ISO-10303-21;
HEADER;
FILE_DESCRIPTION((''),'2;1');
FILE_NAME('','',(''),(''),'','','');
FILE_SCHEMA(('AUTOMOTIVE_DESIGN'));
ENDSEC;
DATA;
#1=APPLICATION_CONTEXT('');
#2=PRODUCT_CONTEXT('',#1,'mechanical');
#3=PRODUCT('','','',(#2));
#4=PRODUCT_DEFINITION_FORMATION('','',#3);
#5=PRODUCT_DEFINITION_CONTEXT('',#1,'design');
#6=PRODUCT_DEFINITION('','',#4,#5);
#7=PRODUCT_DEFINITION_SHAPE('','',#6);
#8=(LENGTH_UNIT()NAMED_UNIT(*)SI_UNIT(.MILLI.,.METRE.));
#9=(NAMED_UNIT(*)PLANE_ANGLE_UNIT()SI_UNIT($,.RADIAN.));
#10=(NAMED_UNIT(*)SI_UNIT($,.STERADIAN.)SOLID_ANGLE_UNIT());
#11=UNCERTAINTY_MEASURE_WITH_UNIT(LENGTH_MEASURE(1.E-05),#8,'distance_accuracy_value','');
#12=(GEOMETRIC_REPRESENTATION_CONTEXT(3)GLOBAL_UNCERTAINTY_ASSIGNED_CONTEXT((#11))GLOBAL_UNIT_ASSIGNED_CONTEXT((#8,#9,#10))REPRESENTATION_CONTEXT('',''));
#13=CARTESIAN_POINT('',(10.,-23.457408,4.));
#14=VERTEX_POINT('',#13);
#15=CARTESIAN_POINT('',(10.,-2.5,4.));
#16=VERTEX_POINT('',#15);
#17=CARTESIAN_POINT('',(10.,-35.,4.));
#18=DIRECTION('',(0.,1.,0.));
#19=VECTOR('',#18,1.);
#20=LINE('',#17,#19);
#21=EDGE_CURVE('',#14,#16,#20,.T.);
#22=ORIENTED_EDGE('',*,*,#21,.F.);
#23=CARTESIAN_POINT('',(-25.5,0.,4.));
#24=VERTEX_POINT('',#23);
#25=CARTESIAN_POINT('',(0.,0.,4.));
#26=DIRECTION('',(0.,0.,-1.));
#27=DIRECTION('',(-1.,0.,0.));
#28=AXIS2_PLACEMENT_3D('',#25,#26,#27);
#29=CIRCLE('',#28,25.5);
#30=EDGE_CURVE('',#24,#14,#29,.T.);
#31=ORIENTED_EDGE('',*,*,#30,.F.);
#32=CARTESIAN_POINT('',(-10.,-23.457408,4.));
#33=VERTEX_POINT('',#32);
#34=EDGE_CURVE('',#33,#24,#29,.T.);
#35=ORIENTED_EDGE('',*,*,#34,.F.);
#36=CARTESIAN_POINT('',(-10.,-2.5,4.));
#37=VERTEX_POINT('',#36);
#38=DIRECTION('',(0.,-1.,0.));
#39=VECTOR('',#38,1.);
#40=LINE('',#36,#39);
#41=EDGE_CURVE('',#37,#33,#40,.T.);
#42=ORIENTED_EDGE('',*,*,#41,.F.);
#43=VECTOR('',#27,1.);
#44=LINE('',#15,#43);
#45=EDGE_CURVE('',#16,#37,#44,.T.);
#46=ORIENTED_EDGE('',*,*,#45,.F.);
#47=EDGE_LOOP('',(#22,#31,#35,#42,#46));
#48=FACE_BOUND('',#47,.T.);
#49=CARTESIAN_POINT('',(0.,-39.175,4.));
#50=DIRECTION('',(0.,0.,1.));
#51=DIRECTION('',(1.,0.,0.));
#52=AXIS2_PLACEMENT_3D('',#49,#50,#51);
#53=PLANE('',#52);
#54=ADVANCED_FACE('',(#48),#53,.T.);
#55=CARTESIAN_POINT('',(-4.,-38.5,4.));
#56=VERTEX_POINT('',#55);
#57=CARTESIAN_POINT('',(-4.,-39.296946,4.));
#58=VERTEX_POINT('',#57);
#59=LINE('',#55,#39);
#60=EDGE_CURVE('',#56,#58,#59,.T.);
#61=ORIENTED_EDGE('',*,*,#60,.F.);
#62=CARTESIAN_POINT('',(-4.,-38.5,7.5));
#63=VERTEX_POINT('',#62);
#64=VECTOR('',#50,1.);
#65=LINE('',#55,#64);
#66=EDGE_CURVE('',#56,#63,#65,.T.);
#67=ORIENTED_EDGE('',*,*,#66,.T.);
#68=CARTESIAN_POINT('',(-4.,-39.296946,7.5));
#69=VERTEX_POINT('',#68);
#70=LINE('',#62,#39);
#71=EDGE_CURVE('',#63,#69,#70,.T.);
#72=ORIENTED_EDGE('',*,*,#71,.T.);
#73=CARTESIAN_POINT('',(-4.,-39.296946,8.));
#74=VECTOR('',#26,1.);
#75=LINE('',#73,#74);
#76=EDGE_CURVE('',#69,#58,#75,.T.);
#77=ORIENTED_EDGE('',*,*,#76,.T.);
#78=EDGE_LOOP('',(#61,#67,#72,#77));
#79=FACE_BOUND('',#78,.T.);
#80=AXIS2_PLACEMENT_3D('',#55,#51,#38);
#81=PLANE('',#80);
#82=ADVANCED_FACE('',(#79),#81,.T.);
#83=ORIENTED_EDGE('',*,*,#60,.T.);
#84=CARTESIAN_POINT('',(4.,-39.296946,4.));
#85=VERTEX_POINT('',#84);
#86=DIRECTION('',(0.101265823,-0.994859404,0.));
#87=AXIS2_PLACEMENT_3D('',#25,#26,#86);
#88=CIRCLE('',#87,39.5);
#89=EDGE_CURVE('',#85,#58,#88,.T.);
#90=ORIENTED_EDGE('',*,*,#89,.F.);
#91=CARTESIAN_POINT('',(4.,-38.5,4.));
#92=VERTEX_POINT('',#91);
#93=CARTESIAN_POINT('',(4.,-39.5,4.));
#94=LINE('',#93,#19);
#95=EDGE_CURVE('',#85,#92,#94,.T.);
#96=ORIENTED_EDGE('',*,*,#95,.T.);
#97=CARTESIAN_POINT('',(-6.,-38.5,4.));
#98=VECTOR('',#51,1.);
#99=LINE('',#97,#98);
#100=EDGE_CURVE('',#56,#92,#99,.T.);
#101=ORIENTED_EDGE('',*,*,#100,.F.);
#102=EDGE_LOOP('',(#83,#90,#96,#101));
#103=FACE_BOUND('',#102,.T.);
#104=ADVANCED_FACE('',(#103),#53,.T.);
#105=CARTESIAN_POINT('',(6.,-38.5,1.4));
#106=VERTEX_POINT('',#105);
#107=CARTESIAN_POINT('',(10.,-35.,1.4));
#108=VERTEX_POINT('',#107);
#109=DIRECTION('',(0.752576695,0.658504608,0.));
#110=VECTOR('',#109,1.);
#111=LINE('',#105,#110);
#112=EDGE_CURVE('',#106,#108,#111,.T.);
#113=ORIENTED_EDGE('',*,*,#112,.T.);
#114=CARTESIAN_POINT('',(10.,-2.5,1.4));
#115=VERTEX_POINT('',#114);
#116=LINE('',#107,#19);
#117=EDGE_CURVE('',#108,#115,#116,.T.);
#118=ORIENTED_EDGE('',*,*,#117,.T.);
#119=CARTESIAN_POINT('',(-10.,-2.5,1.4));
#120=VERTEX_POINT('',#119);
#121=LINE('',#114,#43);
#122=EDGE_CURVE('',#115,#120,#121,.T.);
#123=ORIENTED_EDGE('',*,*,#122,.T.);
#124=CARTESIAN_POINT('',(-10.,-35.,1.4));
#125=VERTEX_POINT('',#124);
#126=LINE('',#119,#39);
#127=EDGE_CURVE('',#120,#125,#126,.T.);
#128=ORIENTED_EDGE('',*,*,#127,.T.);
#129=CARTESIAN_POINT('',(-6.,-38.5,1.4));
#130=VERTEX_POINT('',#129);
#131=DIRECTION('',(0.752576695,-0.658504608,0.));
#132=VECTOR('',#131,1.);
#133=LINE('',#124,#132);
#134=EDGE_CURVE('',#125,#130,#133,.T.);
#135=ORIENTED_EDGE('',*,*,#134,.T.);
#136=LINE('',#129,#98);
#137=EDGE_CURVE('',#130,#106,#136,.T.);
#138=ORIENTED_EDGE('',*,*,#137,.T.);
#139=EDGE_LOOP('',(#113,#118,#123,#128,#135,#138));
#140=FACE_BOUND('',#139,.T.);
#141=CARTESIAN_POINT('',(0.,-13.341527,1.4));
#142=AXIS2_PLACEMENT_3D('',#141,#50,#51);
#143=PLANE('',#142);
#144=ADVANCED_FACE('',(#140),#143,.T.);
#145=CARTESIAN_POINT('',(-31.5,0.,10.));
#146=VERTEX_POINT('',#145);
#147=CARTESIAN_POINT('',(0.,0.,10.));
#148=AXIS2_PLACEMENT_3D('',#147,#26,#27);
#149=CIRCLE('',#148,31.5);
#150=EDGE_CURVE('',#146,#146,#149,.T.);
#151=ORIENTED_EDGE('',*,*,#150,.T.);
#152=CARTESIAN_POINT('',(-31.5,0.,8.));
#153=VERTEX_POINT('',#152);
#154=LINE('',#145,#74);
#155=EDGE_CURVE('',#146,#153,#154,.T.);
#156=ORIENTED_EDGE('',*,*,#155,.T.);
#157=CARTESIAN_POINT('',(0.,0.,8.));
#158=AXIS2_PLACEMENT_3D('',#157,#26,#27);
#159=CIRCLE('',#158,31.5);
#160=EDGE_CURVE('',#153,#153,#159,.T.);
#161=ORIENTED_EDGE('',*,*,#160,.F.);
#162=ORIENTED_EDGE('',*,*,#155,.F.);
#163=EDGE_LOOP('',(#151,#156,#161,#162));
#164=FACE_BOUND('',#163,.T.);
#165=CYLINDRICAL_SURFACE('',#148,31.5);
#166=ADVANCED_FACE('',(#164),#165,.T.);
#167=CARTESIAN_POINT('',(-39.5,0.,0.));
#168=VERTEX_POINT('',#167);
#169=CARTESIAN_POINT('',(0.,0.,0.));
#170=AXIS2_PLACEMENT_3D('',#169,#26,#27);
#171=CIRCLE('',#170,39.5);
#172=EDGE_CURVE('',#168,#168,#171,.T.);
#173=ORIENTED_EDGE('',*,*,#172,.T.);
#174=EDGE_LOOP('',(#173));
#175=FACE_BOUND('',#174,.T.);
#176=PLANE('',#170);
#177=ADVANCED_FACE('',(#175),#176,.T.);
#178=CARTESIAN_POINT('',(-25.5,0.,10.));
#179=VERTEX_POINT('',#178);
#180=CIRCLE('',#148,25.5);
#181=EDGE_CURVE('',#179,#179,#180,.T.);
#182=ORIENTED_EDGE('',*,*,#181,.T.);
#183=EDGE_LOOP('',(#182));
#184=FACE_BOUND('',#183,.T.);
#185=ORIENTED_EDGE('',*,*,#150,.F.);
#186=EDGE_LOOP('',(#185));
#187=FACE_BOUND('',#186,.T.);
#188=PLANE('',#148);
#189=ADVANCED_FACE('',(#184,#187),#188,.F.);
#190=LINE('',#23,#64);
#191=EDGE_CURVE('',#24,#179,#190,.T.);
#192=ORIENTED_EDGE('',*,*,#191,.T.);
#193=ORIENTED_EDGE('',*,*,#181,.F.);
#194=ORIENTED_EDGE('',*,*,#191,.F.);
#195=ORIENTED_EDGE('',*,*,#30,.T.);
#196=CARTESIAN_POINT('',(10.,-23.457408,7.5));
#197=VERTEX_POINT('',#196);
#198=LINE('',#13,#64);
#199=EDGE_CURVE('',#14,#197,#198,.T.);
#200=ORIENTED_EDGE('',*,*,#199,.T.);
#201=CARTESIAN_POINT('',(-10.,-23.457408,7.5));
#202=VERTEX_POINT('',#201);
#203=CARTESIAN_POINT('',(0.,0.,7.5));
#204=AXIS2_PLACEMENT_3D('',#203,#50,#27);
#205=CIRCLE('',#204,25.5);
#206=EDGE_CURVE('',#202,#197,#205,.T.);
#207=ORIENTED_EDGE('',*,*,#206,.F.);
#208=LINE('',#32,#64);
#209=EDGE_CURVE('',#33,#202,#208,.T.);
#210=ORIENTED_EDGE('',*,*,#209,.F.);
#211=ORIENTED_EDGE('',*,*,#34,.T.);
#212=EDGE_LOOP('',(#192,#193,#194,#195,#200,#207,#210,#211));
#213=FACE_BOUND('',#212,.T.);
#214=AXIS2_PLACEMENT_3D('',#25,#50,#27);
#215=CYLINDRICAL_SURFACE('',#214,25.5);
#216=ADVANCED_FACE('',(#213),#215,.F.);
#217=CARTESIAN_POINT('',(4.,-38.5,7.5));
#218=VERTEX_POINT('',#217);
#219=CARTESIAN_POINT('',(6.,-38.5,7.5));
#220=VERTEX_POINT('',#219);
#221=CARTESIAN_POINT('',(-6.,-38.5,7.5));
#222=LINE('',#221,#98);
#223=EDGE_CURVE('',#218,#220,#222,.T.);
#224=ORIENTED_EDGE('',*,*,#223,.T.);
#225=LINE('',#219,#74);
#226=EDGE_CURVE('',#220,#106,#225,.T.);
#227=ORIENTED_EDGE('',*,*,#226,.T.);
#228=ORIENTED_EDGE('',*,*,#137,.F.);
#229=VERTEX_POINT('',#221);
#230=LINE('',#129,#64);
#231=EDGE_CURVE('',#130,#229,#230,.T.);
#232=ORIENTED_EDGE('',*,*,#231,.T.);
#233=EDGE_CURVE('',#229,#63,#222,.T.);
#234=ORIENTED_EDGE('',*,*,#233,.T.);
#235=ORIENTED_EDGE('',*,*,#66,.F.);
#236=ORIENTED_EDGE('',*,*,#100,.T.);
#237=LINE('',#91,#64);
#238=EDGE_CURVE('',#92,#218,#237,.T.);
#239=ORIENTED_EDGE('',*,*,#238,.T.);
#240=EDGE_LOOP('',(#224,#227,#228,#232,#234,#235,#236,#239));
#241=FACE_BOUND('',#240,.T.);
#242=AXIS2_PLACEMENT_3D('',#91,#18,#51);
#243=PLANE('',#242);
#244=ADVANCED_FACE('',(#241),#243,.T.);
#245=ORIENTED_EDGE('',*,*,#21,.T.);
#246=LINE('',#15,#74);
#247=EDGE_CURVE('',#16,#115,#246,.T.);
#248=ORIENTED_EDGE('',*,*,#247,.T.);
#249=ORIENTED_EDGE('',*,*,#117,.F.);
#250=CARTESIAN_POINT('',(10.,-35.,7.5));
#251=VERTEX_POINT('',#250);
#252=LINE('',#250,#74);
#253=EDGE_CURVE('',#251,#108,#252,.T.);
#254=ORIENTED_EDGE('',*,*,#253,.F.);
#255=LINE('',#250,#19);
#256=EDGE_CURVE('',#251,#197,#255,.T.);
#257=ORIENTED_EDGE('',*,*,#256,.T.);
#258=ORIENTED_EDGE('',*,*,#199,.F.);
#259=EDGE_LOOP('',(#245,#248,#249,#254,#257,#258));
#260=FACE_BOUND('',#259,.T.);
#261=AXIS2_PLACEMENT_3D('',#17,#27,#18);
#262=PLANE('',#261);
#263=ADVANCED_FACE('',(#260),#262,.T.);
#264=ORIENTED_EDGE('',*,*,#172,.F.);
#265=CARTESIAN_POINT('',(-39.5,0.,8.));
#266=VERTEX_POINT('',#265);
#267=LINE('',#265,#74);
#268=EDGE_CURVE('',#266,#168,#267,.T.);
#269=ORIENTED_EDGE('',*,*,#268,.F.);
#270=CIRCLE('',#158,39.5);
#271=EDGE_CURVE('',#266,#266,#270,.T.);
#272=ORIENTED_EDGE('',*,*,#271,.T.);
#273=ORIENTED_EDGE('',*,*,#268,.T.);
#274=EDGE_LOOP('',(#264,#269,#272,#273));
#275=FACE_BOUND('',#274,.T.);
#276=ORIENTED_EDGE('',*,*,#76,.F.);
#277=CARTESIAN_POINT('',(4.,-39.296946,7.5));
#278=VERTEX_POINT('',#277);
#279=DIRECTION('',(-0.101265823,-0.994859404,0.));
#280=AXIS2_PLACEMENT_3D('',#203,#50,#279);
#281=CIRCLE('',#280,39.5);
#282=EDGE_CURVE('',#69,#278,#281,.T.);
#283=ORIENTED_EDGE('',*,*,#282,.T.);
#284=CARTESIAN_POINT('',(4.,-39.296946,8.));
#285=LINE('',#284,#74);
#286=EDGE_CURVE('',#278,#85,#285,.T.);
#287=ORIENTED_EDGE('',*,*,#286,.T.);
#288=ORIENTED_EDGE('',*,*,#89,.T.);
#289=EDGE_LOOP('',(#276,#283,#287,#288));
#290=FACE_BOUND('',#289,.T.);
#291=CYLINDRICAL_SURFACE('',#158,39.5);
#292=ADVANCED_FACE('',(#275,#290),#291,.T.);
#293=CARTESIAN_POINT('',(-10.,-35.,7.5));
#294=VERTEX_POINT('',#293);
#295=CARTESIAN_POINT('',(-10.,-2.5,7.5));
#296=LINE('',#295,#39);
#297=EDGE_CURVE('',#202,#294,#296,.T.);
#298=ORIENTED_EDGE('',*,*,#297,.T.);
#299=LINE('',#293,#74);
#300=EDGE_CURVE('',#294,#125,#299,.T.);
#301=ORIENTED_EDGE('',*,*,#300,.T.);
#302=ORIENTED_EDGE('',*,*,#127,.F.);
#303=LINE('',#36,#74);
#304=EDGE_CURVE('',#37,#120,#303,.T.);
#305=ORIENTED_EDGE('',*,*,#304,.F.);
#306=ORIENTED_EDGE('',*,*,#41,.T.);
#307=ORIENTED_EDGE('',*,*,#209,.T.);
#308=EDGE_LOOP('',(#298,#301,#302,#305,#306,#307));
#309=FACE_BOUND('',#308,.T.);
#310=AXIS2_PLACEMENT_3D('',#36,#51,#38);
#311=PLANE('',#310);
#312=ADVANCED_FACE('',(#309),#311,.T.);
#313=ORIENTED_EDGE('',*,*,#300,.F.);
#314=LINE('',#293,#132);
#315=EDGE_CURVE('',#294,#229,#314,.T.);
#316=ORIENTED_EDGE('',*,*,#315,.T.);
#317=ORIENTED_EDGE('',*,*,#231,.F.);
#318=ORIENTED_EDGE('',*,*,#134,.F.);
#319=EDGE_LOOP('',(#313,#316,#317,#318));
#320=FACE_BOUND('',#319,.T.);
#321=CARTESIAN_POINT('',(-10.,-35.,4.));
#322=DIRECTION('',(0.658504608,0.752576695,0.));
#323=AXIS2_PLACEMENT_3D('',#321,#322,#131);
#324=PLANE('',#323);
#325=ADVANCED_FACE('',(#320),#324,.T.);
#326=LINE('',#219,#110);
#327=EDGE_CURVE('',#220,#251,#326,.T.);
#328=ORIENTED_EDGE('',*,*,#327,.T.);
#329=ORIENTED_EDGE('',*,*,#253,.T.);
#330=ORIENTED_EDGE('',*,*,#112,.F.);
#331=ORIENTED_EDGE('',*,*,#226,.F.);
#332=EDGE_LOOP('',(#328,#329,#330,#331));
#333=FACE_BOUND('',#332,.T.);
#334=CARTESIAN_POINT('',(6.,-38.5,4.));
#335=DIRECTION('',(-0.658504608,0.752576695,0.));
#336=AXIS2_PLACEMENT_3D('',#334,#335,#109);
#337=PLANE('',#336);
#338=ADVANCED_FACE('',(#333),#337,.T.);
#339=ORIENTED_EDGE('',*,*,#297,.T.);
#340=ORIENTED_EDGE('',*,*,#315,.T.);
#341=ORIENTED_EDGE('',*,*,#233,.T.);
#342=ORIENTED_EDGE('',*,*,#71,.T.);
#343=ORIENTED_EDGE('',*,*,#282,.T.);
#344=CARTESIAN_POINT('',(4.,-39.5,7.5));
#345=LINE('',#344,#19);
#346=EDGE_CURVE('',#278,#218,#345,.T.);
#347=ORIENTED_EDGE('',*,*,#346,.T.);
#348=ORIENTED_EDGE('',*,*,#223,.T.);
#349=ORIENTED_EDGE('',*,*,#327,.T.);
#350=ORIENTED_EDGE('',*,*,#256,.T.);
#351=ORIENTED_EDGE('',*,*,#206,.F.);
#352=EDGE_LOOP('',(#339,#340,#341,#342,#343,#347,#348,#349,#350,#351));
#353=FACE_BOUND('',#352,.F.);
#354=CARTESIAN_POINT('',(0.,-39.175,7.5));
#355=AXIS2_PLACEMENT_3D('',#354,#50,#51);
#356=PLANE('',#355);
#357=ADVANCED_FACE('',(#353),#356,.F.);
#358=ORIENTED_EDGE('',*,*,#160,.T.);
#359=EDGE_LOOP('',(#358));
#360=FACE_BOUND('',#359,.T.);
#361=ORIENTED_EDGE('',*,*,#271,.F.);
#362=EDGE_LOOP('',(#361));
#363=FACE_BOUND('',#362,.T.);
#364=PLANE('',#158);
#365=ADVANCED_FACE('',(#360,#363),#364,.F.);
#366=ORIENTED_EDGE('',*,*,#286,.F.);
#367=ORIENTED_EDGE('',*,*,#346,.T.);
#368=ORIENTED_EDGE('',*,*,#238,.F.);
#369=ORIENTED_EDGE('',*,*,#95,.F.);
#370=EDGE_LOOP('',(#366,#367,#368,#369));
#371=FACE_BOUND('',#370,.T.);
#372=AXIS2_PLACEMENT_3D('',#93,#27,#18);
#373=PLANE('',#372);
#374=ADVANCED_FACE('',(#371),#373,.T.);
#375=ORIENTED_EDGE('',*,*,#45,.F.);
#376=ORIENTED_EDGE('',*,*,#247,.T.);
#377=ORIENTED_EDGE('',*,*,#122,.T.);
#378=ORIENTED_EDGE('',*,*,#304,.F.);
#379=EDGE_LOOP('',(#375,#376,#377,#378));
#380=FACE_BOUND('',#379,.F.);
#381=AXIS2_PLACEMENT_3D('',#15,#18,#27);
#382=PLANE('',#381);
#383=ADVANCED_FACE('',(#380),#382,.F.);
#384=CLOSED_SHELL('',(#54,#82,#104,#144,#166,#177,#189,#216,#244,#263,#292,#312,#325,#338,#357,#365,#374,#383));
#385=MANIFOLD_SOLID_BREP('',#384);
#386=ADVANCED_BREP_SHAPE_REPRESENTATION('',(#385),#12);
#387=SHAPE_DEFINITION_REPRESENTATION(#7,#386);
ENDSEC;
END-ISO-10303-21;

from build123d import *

# Parameters (mm, degrees)
F2_W     = 8
F2_H     = 0.65
F3_DEPTH = 3.5
F4_DEPTH = 2.6


with BuildPart() as f1:
    # F0 (on Front) → F1 (revolve)
    with BuildSketch(Plane.XZ):
        Polygon((-39.5, 8), (-39.5, 0), (0, 0), (0, 4), (-25.5, 4), (-25.5, 10), (-31.5, 10), (-31.5, 8), align=None)
    revolve(axis=Axis((0, 0, 4.935035), (0, 0, -1)))

    # F2 (on face) → F3 (cut)
    with BuildSketch(Plane.XY.offset(4)):
        with Locations((0, -39.175)):
            Rectangle(F2_W, F2_H)
        Polygon((4, -38.8), (4, -38.5), (-4, -38.5), (-4, -38.85), (4, -38.85), align=None)
        with BuildLine():
            Line((10, -23.457408), (10, -2.5))
            Line((10, -2.5), (-10, -2.5))
            Line((-10, -2.5), (-10, -23.457408))
            ThreePointArc((-10, -23.457408), (0, -25.5), (10, -23.457408))
        make_face()
        with BuildLine():
            Line((10, -35), (10, -23.457408))
            ThreePointArc((10, -23.457408), (0, -25.5), (-10, -23.457408))
            Line((-10, -23.457408), (-10, -35))
            Line((-10, -35), (-6, -38.5))
            Line((-6, -38.5), (-4, -38.5))
            Line((-4, -38.5), (4, -38.5))
            Line((4, -38.5), (6, -38.5))
            Line((6, -38.5), (10, -35))
        make_face()
    extrude(amount=F3_DEPTH, mode=Mode.SUBTRACT)

    # F2 (on face) → F4 (cut)
    with BuildSketch(Plane.XY.offset(4)):
        with BuildLine():
            Line((10, -23.457408), (10, -2.5))
            Line((10, -2.5), (-10, -2.5))
            Line((-10, -2.5), (-10, -23.457408))
            ThreePointArc((-10, -23.457408), (0, -25.5), (10, -23.457408))
        make_face()
        with BuildLine():
            Line((10, -35), (10, -23.457408))
            ThreePointArc((10, -23.457408), (0, -25.5), (-10, -23.457408))
            Line((-10, -23.457408), (-10, -35))
            Line((-10, -35), (-6, -38.5))
            Line((-6, -38.5), (-4, -38.5))
            Line((-4, -38.5), (4, -38.5))
            Line((4, -38.5), (6, -38.5))
            Line((6, -38.5), (10, -35))
        make_face()
    extrude(amount=-F4_DEPTH, mode=Mode.SUBTRACT)


solid = f1.part
